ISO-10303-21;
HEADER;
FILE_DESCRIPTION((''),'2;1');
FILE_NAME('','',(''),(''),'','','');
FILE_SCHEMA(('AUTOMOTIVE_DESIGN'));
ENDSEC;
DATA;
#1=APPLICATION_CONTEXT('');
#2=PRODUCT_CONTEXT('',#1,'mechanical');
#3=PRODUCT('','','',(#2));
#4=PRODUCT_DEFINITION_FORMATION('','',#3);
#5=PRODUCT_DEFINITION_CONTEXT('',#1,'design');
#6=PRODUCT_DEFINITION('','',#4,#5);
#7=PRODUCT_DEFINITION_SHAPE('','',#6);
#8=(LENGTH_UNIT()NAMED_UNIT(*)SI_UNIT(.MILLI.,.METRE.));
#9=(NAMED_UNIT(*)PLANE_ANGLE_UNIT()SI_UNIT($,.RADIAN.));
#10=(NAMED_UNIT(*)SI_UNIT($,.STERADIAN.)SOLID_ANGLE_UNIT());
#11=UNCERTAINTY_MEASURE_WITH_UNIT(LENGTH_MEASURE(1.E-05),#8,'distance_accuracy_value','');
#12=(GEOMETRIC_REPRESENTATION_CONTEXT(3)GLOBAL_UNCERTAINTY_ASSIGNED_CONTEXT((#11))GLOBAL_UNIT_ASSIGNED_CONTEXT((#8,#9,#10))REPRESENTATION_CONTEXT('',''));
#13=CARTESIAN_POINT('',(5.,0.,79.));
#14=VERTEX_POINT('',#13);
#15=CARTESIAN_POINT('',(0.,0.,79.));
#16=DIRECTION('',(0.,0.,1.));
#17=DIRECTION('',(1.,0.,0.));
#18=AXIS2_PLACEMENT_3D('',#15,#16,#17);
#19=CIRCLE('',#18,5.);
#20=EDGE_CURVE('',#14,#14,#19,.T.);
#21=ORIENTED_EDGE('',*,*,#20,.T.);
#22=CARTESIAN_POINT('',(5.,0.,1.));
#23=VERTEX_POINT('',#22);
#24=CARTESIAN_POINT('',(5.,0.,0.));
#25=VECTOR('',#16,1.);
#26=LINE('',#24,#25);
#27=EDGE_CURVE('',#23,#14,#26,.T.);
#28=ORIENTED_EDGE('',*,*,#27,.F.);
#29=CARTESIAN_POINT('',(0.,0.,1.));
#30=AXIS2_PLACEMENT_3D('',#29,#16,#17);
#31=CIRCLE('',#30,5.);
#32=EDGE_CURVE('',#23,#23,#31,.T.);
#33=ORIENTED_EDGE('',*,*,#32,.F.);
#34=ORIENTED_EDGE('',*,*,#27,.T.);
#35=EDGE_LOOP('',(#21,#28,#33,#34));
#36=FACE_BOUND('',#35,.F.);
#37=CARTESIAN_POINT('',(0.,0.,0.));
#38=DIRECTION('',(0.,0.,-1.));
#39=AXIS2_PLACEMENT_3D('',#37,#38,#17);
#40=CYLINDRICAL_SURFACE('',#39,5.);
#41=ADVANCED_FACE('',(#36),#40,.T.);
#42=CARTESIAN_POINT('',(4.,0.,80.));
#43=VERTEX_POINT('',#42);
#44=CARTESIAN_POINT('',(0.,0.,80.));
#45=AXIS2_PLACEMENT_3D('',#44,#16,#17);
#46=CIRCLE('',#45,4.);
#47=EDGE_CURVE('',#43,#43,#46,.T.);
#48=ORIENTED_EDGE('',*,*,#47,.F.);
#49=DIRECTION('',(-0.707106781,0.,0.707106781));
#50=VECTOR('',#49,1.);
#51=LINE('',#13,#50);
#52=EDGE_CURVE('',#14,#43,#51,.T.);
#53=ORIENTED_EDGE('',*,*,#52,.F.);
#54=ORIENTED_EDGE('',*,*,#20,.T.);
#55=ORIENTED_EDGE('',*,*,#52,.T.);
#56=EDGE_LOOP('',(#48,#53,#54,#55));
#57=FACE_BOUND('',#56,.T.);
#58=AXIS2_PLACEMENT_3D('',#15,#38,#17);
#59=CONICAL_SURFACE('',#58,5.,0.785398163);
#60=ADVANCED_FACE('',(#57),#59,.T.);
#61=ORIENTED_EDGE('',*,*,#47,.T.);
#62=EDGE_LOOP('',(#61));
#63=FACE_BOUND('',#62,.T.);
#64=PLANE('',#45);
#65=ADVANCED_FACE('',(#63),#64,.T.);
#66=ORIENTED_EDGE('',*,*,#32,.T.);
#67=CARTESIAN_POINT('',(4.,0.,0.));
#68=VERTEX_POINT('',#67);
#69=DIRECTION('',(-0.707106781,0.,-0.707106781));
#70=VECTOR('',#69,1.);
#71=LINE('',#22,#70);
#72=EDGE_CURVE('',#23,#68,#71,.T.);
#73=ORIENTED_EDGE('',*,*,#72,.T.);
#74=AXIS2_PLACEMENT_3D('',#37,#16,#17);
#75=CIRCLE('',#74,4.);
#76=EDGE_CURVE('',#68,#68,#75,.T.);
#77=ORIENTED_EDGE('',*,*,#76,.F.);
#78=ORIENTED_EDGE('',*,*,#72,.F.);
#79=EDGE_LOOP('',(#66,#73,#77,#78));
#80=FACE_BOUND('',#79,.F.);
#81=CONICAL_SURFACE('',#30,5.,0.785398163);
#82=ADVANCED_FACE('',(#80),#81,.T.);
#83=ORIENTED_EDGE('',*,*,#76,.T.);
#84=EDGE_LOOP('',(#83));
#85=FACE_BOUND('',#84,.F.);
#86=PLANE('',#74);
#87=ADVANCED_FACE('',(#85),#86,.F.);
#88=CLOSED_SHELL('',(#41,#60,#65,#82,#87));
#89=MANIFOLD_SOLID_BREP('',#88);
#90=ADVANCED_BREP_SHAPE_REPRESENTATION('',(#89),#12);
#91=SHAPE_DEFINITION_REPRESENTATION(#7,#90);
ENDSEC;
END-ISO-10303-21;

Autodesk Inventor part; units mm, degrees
ref_plane "YZ Plane" through (0, 0, 0) normal (1, 0, 0) x (0, 1, 0)
ref_plane "XZ Plane" through (0, 0, 0) normal (0, 1, 0) x (-1, 0, 0)
ref_plane "XY Plane" through (0, 0, 0) normal (0, 0, 1) x (1, 0, 0)
sketch "Sketch1" plane through (0, 0, 0) normal (0, 0, 1) x (1, 0, 0)
  circle A0 centre (0, 0) radius 5
  dimension "d0" = 10
extrude "Extrusion1" add sketch "Sketch1" along normal blind 80
chamfer "Chamfer1" distance 1 angle 45 2 edges at (-5, 0, 80) (-5, 0, 0)
properties part number "base 1st arm pin"
